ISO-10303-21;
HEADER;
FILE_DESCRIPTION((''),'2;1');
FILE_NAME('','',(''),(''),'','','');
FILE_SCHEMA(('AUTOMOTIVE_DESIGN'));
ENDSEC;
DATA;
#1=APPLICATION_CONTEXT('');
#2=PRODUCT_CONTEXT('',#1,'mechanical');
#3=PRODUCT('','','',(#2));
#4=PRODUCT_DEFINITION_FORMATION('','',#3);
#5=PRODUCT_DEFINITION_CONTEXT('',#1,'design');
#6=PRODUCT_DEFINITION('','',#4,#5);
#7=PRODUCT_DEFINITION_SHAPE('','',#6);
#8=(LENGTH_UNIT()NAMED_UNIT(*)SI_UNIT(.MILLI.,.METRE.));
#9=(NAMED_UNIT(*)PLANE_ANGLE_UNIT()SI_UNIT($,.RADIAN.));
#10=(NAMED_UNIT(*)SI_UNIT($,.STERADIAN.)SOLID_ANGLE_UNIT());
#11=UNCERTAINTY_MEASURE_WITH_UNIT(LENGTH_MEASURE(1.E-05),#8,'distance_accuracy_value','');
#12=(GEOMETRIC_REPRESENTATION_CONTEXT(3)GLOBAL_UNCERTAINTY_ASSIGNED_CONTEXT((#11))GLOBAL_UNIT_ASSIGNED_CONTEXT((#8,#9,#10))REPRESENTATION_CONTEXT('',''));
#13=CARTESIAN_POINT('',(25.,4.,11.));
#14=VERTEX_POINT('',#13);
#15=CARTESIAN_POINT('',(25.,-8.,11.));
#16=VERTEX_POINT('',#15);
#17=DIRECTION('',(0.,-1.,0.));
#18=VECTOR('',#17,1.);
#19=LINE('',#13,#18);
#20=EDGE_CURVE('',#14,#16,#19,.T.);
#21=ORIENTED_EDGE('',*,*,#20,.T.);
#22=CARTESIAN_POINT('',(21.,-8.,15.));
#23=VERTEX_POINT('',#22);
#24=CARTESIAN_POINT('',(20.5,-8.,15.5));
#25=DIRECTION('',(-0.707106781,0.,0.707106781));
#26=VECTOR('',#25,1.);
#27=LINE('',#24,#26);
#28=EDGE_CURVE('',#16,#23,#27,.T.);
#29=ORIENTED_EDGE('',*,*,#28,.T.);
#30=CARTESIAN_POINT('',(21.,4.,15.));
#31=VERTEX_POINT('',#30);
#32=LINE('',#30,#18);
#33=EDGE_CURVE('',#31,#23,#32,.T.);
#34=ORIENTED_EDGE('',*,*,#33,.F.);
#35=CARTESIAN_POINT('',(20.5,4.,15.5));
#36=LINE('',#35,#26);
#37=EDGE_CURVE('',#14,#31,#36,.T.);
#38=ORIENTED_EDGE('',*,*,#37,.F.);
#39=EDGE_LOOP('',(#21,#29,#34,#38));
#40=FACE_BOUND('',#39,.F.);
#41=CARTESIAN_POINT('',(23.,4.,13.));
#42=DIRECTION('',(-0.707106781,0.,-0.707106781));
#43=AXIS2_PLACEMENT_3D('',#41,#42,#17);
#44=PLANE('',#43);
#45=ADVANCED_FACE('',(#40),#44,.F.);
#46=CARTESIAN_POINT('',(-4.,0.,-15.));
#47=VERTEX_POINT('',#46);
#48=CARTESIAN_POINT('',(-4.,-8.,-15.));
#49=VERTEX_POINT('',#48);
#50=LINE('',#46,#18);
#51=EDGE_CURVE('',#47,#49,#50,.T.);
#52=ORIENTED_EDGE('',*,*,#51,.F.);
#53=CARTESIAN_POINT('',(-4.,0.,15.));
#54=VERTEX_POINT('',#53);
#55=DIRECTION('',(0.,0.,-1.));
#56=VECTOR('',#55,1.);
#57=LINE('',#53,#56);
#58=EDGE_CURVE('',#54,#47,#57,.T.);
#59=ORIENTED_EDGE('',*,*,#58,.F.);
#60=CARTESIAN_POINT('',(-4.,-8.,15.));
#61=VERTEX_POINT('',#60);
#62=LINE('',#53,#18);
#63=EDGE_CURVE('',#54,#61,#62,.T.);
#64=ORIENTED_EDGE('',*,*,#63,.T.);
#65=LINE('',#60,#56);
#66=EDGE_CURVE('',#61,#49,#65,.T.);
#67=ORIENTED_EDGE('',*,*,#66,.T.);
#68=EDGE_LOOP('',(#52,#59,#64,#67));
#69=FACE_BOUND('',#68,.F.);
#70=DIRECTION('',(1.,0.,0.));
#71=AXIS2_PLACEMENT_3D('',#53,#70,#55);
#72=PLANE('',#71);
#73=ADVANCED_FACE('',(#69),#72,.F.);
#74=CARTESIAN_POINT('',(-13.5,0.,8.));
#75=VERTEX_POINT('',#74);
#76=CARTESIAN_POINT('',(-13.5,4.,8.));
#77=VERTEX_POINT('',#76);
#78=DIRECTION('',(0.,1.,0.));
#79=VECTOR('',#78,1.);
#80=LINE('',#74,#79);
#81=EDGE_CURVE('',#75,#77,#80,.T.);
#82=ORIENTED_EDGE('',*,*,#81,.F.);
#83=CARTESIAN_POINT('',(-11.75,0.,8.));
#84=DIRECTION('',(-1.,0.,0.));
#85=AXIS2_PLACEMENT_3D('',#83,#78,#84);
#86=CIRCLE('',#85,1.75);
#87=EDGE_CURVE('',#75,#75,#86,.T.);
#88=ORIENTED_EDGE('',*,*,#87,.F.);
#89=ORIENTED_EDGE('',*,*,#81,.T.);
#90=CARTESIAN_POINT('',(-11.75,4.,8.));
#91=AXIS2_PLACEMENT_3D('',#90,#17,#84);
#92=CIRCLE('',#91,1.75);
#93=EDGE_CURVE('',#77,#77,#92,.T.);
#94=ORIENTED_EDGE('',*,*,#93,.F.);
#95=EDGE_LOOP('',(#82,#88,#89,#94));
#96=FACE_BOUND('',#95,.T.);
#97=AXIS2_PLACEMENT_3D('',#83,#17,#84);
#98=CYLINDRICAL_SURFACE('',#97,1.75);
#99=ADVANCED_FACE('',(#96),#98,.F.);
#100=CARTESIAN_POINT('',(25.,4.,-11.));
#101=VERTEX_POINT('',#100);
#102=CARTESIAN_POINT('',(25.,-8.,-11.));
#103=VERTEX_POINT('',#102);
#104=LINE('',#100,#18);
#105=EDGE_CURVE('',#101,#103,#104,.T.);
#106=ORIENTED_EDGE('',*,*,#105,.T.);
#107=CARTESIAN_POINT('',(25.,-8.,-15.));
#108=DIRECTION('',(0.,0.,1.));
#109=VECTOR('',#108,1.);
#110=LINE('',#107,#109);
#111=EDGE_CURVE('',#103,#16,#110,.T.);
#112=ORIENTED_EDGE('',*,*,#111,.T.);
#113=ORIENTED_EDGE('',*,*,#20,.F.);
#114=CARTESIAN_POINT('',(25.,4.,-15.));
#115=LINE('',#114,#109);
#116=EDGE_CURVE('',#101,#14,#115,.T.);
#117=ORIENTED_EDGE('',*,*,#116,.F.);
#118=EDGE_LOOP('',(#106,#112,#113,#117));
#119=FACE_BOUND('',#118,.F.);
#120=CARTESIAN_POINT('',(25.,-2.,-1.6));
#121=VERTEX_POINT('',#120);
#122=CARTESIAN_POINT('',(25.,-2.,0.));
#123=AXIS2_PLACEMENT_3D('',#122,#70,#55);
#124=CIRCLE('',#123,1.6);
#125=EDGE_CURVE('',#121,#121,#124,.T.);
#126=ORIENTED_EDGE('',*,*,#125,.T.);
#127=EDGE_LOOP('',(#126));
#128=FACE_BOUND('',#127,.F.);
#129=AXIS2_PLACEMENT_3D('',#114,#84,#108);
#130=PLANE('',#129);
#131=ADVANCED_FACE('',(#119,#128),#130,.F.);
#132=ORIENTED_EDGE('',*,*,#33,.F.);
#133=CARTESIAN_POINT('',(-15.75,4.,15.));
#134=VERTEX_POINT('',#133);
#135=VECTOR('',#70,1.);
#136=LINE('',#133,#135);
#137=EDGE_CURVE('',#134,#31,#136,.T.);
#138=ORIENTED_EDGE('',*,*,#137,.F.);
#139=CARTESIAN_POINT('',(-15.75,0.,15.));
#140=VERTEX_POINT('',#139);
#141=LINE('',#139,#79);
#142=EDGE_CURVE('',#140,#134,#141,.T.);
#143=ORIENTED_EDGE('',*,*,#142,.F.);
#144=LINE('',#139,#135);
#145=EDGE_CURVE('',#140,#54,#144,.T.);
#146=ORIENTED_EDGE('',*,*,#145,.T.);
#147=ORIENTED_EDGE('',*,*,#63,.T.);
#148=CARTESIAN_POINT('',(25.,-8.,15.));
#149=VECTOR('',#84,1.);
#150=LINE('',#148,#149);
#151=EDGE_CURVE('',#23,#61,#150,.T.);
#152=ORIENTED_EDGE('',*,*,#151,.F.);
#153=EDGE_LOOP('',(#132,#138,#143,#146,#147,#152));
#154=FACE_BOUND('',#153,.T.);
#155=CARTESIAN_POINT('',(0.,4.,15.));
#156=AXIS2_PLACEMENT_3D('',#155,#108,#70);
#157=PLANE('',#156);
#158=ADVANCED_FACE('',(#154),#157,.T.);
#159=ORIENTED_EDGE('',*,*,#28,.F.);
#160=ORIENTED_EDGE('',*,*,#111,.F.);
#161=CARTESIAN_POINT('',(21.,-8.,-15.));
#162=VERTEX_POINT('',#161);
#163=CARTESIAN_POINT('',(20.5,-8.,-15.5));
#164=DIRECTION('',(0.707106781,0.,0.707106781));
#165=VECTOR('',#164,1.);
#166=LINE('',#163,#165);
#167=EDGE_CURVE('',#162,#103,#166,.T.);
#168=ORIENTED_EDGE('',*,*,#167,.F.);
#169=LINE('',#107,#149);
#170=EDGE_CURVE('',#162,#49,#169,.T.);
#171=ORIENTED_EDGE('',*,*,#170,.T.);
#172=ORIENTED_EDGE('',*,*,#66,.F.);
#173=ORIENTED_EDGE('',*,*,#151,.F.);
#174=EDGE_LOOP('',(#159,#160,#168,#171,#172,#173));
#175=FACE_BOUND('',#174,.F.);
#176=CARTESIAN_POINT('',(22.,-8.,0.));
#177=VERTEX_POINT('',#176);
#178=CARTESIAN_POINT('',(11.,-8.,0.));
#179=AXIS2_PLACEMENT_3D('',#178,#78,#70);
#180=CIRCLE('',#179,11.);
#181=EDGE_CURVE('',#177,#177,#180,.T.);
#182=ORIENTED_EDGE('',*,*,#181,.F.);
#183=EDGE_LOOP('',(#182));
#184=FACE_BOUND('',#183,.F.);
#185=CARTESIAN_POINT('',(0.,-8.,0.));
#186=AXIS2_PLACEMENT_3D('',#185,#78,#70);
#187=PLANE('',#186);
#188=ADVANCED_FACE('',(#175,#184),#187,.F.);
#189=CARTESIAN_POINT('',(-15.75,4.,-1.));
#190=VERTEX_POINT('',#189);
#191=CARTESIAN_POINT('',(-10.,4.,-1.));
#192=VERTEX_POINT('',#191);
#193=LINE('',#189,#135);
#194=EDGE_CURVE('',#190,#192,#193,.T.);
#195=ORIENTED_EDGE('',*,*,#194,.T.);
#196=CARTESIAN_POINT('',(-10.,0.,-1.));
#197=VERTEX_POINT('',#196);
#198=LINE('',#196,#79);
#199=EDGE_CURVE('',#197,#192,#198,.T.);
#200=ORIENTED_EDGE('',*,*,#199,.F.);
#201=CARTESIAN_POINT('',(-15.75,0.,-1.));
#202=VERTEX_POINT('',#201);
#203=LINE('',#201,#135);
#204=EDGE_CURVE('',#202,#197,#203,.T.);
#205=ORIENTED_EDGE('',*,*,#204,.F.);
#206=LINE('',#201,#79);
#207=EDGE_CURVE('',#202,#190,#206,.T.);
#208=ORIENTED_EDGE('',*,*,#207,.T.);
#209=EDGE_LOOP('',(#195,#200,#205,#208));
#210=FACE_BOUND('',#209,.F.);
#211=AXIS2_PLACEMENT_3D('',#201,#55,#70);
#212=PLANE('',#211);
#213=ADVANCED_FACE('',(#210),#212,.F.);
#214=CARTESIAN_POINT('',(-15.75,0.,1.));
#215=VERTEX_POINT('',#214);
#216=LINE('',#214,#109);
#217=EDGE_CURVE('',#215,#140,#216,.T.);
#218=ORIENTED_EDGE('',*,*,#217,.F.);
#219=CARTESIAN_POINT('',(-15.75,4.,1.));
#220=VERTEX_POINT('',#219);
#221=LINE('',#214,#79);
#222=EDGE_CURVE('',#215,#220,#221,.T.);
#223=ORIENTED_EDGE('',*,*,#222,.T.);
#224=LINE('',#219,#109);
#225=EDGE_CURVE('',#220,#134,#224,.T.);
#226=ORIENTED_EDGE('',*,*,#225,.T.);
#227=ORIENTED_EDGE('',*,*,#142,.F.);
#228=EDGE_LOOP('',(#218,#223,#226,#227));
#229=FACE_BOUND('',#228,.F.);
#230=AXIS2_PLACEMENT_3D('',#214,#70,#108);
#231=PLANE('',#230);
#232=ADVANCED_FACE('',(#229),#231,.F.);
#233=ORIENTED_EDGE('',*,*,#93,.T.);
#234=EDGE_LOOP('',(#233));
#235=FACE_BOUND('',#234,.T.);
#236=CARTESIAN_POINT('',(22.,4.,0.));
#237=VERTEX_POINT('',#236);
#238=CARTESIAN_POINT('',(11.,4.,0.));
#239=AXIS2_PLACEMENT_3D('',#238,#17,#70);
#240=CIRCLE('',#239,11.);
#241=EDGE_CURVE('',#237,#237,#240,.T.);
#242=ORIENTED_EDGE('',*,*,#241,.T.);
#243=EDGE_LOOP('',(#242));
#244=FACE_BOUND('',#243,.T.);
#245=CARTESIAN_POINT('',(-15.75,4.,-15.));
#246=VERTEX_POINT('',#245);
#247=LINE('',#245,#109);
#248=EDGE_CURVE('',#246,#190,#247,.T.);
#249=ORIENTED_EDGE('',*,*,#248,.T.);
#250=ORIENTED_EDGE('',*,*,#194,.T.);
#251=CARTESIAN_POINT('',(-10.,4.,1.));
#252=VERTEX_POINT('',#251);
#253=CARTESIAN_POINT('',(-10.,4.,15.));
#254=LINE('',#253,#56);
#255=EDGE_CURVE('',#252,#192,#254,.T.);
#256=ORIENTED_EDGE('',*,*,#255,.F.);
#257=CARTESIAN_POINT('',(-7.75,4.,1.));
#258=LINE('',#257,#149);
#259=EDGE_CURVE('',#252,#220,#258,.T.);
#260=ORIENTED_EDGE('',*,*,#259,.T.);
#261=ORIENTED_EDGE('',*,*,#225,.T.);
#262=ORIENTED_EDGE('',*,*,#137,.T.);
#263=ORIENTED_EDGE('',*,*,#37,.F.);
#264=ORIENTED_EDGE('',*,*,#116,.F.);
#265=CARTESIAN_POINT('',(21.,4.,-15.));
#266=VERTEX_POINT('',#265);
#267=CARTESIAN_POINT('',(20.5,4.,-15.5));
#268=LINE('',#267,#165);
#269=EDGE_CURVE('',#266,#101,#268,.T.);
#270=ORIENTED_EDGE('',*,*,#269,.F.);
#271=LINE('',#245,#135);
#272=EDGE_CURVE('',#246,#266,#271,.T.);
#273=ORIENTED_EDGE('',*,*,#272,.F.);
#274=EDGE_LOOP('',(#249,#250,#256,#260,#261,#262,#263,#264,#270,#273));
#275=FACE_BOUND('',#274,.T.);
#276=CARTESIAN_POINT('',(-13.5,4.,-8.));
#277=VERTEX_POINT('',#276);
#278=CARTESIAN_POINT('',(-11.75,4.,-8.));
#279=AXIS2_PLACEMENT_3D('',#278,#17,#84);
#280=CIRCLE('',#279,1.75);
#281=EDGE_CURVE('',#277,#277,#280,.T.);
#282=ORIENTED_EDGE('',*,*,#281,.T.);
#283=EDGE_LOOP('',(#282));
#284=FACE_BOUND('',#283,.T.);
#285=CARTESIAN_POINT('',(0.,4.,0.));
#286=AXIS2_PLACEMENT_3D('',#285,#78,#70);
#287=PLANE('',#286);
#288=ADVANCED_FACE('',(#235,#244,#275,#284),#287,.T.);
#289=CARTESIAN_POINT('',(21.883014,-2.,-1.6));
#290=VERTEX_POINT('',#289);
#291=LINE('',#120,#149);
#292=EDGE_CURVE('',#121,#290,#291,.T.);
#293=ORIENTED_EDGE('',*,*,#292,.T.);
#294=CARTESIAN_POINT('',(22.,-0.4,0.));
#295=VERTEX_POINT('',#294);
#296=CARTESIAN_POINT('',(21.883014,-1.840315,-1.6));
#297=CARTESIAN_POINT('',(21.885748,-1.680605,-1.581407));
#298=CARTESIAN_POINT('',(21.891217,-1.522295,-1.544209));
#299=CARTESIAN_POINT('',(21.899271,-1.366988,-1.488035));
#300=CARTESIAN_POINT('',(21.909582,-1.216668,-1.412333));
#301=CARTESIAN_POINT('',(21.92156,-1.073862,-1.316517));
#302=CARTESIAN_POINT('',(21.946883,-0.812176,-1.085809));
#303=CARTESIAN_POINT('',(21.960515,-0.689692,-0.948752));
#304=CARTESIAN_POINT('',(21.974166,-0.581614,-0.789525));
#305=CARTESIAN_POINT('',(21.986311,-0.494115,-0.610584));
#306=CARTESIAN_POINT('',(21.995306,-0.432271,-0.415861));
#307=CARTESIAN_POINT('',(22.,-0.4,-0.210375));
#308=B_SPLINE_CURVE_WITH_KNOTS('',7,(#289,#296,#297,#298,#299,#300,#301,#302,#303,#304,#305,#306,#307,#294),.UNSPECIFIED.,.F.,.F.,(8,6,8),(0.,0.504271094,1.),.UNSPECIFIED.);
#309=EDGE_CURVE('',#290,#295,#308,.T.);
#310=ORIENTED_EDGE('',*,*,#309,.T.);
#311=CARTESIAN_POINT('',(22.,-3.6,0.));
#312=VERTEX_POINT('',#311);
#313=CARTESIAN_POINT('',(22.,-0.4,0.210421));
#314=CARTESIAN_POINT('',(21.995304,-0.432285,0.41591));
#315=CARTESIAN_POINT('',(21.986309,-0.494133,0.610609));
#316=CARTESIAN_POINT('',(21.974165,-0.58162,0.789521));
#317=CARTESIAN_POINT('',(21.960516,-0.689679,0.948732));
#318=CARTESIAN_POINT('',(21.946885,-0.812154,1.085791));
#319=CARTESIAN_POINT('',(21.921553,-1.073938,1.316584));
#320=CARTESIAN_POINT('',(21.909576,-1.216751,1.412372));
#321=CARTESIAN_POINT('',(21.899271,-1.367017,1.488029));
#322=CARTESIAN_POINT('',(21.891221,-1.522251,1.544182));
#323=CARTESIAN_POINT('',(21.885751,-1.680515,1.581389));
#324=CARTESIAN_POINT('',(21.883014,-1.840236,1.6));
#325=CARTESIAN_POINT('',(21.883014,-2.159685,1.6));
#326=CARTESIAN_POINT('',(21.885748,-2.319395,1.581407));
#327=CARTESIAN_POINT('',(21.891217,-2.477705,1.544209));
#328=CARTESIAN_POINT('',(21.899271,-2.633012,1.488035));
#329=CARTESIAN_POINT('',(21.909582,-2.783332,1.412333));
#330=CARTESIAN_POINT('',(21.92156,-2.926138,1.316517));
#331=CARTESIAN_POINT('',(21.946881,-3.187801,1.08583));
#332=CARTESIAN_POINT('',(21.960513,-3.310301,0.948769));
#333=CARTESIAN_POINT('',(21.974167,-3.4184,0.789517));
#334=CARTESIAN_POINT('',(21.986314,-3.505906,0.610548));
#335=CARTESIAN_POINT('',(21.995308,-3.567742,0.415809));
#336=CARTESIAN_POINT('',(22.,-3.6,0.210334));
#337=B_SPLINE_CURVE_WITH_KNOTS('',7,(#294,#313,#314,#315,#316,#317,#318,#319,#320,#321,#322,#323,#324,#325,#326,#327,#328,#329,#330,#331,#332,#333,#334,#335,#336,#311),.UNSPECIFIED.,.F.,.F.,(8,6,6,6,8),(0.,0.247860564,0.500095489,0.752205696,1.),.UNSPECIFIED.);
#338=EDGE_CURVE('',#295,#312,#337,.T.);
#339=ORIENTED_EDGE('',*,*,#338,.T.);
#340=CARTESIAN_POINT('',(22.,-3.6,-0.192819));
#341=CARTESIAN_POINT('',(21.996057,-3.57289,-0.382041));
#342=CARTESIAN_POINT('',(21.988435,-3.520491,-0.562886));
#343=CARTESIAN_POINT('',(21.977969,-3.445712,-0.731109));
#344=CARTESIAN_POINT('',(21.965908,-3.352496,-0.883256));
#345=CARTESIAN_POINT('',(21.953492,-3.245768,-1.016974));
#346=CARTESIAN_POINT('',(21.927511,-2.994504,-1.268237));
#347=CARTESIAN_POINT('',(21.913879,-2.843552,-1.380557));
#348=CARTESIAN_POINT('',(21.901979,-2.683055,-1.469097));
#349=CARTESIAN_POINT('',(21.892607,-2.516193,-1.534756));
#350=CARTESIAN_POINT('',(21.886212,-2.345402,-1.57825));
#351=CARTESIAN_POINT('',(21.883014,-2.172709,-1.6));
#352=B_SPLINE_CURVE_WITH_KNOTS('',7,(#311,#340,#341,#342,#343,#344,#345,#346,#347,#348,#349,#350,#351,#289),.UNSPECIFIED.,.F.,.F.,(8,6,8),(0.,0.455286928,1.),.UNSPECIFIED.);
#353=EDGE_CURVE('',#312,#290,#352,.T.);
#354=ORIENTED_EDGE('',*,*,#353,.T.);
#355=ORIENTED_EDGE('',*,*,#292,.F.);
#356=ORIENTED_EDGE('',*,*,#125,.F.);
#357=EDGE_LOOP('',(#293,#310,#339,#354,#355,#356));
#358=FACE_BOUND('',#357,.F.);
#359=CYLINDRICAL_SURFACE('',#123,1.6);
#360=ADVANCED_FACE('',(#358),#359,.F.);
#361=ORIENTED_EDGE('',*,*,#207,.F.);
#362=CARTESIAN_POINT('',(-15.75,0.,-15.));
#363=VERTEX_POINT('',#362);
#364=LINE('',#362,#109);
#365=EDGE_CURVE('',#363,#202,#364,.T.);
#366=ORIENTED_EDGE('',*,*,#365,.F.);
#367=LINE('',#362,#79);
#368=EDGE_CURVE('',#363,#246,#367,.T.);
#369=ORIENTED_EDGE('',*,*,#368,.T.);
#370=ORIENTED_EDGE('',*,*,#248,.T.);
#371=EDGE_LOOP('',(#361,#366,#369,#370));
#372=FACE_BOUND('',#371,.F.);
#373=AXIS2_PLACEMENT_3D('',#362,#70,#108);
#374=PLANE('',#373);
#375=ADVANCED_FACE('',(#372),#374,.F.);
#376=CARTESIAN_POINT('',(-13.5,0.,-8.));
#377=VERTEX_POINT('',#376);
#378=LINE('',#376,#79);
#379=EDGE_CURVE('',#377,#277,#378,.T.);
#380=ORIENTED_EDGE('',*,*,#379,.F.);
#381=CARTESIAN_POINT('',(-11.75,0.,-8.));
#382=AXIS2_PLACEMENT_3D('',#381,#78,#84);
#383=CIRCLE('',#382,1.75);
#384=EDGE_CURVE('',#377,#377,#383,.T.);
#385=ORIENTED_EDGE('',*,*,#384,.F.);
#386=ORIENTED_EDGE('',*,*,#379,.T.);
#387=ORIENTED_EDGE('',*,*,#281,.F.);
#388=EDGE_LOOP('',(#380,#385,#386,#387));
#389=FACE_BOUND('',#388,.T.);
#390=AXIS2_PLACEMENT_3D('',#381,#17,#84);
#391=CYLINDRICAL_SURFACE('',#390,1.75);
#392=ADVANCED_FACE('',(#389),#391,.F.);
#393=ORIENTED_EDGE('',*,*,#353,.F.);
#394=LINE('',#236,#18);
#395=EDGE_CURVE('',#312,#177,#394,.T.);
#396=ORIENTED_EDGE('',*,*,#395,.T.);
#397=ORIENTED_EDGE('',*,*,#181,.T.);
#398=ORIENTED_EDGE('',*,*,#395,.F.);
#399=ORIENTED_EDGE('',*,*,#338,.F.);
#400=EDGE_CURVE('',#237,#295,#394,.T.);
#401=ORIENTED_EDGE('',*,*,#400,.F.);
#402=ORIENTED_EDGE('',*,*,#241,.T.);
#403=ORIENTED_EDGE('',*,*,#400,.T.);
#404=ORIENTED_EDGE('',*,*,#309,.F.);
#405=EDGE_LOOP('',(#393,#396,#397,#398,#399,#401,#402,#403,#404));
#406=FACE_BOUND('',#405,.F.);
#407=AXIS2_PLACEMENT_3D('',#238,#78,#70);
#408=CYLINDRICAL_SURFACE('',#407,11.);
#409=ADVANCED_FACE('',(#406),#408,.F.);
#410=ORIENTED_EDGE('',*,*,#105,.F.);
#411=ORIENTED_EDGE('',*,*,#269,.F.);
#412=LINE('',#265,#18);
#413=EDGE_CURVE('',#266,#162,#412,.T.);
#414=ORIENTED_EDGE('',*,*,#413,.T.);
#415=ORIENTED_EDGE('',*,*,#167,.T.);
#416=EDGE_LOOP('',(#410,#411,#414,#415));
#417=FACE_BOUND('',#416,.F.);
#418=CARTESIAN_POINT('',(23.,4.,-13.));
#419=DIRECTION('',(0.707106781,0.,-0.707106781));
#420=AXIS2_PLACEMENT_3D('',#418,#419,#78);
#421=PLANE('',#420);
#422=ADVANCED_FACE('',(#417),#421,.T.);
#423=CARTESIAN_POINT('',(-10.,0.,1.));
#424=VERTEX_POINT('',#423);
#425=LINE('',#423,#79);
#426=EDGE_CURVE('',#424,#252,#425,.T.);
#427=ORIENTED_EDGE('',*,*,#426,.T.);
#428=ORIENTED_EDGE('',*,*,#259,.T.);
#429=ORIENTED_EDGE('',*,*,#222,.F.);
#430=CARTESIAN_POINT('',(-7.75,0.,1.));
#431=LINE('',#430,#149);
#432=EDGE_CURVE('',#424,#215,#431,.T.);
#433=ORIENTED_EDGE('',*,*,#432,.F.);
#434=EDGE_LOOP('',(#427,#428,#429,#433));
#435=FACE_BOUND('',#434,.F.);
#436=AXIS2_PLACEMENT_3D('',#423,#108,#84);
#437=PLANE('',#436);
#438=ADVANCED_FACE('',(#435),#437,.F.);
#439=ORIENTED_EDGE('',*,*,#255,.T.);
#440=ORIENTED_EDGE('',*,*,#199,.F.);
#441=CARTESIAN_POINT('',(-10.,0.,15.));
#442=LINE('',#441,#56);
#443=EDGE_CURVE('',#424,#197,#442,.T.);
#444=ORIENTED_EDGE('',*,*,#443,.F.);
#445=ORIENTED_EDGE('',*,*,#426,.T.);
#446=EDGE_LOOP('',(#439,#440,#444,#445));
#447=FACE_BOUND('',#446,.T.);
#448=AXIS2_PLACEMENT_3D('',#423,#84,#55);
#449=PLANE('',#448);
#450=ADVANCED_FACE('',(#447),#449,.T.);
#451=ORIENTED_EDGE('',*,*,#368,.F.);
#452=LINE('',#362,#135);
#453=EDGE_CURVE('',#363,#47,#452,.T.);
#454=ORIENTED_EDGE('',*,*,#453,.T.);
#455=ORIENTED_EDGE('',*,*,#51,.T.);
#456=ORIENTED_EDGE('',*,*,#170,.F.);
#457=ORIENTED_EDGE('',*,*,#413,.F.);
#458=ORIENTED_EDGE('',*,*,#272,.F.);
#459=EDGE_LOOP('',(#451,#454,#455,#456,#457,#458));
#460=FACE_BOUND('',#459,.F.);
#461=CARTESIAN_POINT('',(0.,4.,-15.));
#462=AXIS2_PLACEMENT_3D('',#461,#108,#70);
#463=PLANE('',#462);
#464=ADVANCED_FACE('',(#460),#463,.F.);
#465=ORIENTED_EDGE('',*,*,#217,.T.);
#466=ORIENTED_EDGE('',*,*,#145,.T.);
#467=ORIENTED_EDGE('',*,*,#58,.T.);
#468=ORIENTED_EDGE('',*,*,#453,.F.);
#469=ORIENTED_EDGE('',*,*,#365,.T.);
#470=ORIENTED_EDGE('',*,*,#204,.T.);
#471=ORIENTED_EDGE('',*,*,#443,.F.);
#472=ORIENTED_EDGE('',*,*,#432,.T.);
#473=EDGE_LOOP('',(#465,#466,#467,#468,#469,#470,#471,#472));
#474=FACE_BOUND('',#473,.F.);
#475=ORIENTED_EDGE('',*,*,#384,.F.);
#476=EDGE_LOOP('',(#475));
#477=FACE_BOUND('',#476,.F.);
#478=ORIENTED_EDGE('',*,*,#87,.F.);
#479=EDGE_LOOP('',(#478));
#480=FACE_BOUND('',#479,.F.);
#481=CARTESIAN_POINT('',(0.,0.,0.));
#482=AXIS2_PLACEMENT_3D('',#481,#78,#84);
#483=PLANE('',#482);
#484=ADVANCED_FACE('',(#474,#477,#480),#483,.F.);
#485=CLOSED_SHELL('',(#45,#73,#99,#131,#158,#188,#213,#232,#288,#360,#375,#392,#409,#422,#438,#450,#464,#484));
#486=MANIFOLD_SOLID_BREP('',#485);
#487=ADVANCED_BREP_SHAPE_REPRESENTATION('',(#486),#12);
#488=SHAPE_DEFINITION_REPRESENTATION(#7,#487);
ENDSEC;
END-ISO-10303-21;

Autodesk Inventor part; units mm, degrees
ref_plane "YZ Plane" through (0, 0, 0) normal (1, 0, 0) x (0, 1, 0)
ref_plane "XZ Plane" through (0, 0, 0) normal (0, 1, 0) x (-1, 0, 0)
ref_plane "XY Plane" through (0, 0, 0) normal (0, 0, 1) x (1, 0, 0)
sketch "Эскиз1" plane through (0, 0, 0) normal (0, 1, 0) x (-1, 0, 0)
  line L0 (0, 15) -> (10, 15)
  line L1 (10, 15) -> (10, -15)
  line L2 (10, -15) -> (0, -15)
  line L3 (0, -15) -> (0, 15)
  circle A0 centre (11.75, 8) radius 1.75
  circle A1 centre (11.75, -8) radius 1.75
  line L4 (15.75, 15) -> (7.75, 15)
  line L5 (7.75, 15) -> (7.75, 1)
  line L6 (7.75, 1) -> (15.75, 1)
  line L7 (15.75, 1) -> (15.75, 15)
  line L8 (15.75, 15) -> (7.75, 1) construction
  line L9 (7.75, 15) -> (15.75, 1) construction
  line L10 (15.75, -1) -> (7.75, -1)
  line L11 (7.75, -1) -> (7.75, -15)
  line L12 (7.75, -15) -> (15.75, -15)
  line L13 (15.75, -15) -> (15.75, -1)
  line L14 (15.75, -1) -> (7.75, -15) construction
  line L15 (7.75, -1) -> (15.75, -15) construction
  point P0 (0, 0)
  point P1 (10, -1)
  point P2 (10, 1)
  point P3 (10, 15)
  point P4 (0, 0)
  dimension "d0" = 10
  dimension "d1" = 30
  dimension "d2" = 3.5
  dimension "d3" = 3.5
  dimension "d4" = 7
  dimension "d5" = 7
  dimension "d6" = 4
  dimension "d7" = 4
extrude "Выдавливание1" add sketch "Эскиз1" along normal blind 4
sketch "Эскиз2" plane through (0, 0, 0) normal (0, -1, 0) x (1, 0, 0)
  line L0 (-15.75, 15) -> (0, 15) projected
  line L1 (0, -15) -> (-15.75, -15) projected
  line L2 (0, 15) -> (-4, 15)
  line L3 (-4, 15) -> (-4, -15)
  line L4 (-4, -15) -> (0, -15)
  line L5 (0, -15) -> (0, 15)
  line L6 (-10, -1) -> (-10, 1) projected
  line L7 (-10, 1) -> (-10, 15) construction
  line L8 (-15.75, 15) -> (0, 15) projected
  point P0 (0, 0)
  point P1 (-4, 15)
  point P2 (-10, 0)
  dimension "d27" = 6
extrude "Выдавливание2" add sketch "Эскиз2" along normal blind 8
sketch "Эскиз3" plane through (0, 4, 0) normal (0, 1, 0) x (1, 0, 0)
  circle A0 centre (11, 0) radius 11
  line L0 (-15.75, -15) -> (0, -15) projected
  line L1 (0, -15) -> (25, -15)
  line L2 (0, -15) -> (0, 15)
  line L3 (0, 15) -> (-15.75, 15) projected
  line L4 (0, 15) -> (25, 15)
  line L5 (25, 15) -> (25, -15)
  point P0 (0, 0)
  dimension "d13" = 22
  dimension "d14" = 11
  dimension "d15" = 14
extrude "Выдавливание3" add sketch "Эскиз3" against normal up to surface (12 mm away)
sketch "Эскиз4" plane through (25, 4, 15) normal (1, 0, 0) x (0, 0, -1)
  line L0 (0, 0) -> (0, -12) construction
  line L1 (30, 0) -> (30, -12) construction
  line L2 (30, -4) -> (30, 0) construction
  line L3 (30, 0) -> (0, -12) construction
  circle A0 centre (15, -6) radius 1.6
  dimension "d19" = 3.2
extrude "Выдавливание4" cut sketch "Эскиз4" against normal blind 10
chamfer "Фаска1" distance 4 angle 45 2 edges at (25, -2, 15) (25, -2, -15)
properties part number "креп_маркера" material "Полипропилен"
